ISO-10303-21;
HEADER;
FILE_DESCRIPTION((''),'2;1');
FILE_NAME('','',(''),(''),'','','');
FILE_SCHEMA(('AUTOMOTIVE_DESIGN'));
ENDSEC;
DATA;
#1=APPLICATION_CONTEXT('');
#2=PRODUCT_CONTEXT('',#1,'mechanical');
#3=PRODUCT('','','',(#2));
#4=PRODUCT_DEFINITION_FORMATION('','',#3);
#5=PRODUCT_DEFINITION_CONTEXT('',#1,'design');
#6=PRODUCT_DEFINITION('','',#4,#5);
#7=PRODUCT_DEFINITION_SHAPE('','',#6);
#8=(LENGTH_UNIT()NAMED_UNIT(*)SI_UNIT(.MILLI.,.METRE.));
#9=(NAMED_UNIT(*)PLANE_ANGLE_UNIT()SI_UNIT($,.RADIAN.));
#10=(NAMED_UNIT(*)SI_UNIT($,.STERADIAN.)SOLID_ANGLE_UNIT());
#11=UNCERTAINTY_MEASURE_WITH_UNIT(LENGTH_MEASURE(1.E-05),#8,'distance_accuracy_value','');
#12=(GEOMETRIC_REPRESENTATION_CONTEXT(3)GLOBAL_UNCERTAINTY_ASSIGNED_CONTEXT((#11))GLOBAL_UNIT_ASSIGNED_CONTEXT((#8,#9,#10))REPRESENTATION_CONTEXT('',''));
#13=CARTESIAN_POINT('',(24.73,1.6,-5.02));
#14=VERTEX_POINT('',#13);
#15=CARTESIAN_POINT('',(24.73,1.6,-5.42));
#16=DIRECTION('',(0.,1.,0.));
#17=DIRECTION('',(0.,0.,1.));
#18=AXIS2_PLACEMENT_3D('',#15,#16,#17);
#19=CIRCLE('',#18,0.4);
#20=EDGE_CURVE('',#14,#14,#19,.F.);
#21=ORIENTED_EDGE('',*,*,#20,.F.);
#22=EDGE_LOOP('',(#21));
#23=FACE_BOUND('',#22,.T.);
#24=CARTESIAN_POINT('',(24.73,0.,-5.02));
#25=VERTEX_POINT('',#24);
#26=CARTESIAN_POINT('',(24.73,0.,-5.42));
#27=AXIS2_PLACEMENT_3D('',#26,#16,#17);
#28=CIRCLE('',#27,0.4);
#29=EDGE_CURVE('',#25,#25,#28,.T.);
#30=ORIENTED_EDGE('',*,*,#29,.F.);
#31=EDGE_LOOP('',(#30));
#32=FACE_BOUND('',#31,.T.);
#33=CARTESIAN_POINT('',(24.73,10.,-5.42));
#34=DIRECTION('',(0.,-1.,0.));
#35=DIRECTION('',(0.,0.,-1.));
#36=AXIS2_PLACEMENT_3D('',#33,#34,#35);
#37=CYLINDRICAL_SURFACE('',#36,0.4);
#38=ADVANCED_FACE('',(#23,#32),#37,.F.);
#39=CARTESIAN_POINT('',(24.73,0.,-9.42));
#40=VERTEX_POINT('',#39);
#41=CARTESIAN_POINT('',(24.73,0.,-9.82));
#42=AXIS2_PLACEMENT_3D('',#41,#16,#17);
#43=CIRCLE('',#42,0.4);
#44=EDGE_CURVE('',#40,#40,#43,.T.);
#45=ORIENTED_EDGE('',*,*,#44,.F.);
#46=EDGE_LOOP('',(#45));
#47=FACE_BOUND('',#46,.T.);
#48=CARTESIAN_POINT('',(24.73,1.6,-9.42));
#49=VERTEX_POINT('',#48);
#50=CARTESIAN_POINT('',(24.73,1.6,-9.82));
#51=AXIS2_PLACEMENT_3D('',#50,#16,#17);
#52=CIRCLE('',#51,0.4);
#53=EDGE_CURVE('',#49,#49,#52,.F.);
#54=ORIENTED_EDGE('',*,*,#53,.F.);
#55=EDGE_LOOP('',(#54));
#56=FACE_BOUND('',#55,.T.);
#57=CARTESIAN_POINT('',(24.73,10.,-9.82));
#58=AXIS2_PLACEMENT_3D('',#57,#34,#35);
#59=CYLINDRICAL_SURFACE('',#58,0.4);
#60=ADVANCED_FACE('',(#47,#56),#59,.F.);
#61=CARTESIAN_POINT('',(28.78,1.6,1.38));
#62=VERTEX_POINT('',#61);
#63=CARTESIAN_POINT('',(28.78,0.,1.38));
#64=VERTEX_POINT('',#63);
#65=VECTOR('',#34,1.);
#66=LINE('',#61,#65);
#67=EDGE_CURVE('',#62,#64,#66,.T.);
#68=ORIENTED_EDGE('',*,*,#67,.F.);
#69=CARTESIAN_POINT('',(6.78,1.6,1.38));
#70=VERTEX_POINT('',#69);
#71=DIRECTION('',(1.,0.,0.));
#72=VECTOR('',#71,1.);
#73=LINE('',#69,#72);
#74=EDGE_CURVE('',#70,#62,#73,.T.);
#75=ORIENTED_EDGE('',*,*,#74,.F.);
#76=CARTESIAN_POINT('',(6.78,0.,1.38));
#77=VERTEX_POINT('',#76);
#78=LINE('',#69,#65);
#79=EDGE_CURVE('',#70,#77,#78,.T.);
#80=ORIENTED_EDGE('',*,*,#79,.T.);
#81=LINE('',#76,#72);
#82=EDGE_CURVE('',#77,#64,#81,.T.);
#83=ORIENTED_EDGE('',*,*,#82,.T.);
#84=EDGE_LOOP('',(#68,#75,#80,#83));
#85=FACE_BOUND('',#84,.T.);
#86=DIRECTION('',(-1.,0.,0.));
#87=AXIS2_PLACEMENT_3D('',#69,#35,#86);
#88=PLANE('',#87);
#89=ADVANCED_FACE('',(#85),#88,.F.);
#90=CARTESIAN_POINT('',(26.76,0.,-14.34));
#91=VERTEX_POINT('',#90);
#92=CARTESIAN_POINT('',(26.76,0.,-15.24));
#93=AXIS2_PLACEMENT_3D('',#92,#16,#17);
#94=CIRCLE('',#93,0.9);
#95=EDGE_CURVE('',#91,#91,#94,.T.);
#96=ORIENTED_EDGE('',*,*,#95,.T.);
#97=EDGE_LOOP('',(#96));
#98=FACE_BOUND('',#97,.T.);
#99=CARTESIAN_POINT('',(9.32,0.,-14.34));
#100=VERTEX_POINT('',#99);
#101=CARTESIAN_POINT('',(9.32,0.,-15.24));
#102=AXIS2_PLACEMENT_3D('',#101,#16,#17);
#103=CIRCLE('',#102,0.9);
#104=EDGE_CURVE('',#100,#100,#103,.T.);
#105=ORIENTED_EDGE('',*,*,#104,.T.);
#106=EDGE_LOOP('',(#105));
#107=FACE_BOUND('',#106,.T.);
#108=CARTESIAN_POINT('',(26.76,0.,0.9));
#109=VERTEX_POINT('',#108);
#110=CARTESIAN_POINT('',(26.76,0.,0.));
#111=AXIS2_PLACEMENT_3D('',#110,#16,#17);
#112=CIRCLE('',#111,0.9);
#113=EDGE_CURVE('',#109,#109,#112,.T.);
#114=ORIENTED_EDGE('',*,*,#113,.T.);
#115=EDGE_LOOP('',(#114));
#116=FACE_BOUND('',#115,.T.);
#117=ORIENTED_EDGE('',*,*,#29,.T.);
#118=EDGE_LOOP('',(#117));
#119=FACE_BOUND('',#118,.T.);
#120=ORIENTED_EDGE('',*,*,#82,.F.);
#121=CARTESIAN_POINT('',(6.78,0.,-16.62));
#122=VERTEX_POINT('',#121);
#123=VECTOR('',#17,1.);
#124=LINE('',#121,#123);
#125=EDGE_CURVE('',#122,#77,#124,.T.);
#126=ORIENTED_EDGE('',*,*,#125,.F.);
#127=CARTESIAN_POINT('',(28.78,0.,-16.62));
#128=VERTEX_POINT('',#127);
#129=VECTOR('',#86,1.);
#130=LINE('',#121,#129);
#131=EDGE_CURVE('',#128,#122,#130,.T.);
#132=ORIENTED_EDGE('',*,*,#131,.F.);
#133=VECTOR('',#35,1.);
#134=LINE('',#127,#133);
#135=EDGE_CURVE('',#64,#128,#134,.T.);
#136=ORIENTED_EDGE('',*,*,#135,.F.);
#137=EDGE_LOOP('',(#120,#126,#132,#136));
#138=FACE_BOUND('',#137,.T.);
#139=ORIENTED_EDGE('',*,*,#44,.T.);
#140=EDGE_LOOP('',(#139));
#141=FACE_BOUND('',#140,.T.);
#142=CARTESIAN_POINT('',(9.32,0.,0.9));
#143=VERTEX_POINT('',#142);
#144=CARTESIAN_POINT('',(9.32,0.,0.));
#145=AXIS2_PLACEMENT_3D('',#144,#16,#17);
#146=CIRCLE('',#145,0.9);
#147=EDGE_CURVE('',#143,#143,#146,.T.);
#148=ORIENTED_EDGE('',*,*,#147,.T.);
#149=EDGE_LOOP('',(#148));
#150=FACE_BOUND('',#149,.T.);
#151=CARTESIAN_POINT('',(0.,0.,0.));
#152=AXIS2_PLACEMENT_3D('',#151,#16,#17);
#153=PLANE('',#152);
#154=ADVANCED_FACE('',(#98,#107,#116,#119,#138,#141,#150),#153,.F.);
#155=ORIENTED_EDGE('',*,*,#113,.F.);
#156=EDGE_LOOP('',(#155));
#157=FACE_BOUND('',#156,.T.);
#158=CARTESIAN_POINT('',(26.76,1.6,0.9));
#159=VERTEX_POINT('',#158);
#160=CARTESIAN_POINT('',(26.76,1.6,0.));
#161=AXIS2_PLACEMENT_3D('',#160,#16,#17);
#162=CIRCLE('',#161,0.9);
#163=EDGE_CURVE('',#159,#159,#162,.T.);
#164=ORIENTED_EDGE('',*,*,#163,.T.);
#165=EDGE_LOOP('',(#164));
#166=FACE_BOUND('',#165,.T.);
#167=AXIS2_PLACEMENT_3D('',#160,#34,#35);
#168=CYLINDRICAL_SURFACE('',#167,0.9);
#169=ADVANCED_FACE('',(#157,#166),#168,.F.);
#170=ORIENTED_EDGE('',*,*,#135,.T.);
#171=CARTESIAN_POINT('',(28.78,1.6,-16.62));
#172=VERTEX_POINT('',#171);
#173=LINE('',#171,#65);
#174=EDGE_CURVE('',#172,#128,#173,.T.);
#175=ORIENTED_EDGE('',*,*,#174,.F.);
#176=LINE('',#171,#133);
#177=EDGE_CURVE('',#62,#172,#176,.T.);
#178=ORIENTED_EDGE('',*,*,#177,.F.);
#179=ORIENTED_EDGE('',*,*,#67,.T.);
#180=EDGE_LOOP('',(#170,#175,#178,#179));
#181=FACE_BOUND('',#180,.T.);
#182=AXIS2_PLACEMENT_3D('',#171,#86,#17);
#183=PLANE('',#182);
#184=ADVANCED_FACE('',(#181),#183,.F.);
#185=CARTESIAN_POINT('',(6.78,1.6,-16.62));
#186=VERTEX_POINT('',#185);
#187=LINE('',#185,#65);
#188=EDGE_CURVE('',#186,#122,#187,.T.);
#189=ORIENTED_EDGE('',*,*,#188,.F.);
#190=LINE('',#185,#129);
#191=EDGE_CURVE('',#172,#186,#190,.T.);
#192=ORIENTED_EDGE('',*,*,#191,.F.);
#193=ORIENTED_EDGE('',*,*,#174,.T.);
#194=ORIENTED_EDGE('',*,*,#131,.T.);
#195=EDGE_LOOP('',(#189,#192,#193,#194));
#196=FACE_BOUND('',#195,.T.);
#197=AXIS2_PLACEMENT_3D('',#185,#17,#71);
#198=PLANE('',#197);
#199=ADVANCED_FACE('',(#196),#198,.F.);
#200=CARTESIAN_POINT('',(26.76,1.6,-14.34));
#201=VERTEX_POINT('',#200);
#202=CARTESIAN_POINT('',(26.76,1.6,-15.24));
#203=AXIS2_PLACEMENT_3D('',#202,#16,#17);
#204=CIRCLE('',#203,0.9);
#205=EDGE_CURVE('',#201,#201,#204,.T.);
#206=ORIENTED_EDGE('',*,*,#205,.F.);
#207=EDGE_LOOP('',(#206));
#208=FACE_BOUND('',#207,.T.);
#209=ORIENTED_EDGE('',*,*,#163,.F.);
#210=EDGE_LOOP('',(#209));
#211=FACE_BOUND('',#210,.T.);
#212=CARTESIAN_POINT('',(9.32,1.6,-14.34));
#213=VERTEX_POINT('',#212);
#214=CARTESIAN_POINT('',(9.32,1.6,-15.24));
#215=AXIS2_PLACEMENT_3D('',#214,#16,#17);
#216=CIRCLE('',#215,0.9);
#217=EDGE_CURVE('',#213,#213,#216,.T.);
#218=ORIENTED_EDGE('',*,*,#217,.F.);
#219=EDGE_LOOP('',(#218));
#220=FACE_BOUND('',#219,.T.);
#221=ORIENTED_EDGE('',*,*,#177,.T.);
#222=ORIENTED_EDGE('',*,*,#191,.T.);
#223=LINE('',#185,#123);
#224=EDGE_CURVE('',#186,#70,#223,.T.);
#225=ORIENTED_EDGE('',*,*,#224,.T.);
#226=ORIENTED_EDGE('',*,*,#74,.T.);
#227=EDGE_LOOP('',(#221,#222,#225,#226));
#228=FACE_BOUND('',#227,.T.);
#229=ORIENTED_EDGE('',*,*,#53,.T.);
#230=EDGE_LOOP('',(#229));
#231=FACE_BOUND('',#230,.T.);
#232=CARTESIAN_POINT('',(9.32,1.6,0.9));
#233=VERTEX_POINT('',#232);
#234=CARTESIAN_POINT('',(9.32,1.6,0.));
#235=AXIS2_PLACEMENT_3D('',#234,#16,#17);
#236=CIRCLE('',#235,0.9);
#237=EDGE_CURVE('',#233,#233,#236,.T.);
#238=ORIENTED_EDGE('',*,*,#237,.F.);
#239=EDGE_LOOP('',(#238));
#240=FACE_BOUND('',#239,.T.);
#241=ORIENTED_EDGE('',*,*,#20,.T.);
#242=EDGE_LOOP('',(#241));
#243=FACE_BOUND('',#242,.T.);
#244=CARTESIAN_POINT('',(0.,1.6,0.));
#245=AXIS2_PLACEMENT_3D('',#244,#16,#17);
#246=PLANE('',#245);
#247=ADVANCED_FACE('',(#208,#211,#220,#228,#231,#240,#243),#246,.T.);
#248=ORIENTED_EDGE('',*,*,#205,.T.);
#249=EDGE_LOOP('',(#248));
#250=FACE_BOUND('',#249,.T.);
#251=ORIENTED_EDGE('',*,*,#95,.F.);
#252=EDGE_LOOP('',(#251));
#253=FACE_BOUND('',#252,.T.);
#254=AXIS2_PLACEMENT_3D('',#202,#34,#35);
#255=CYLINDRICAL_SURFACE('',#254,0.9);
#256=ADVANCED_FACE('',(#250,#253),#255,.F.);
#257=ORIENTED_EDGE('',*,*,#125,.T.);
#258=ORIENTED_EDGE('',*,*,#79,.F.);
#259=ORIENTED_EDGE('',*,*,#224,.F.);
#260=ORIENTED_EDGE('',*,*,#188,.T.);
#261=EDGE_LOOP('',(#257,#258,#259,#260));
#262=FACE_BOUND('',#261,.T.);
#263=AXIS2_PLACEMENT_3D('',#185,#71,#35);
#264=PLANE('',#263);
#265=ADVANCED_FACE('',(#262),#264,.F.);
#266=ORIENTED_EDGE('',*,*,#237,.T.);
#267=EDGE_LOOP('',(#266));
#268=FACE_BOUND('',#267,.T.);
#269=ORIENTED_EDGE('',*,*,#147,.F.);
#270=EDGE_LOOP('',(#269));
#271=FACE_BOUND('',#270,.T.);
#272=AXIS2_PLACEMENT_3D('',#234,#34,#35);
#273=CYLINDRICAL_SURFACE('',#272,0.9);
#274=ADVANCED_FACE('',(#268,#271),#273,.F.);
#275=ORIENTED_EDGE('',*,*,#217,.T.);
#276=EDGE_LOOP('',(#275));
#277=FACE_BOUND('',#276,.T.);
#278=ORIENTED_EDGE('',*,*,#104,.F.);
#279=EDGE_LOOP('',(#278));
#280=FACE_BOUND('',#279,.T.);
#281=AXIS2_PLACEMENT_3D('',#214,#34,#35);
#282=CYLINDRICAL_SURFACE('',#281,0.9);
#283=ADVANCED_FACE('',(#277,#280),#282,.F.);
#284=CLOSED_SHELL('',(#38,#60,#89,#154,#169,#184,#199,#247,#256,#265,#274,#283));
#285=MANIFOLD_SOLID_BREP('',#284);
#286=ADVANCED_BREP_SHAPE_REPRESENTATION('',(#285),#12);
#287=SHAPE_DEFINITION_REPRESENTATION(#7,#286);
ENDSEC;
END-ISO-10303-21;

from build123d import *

# Parameters (mm, degrees)
SKETCH1_W           = 22
SKETCH1_H           = 18
BOSS_EXTRUDE2_DEPTH = 1.6
SKETCH4_R           = 0.9
CUT_EXTRUDE5_DEPTH  = 1.6
SKETCH9_R           = 0.4
CUT_EXTRUDE6_DEPTH  = 10


with BuildPart() as part:
    # Sketch1 → Boss-Extrude2 (new body)
    with BuildSketch(Plane(origin=(0, 0, 0), x_dir=(1, 0, 0), z_dir=(0, 1, 0))):
        with Locations((17.78, 7.62)):
            Rectangle(SKETCH1_W, SKETCH1_H)
    extrude(amount=BOSS_EXTRUDE2_DEPTH)

    # Sketch4 → Cut-Extrude5 (cut)
    with BuildSketch(Plane(origin=(0, 0, 0), x_dir=(1, 0, 0), z_dir=(0, 1, 0))):
        with Locations((26.76, 15.24)):
            Circle(SKETCH4_R)
        with Locations((26.76, 0)):
            Circle(SKETCH4_R)
        with Locations((9.32, 0)):
            Circle(SKETCH4_R)
        with Locations((9.32, 15.24)):
            Circle(SKETCH4_R)
    extrude(amount=CUT_EXTRUDE5_DEPTH, mode=Mode.SUBTRACT)

    # Sketch9 → Cut-Extrude6 (cut)
    with BuildSketch(Plane(origin=(0, 0, 0), x_dir=(1, 0, 0), z_dir=(0, 1, 0))):
        with Locations((24.73, 5.42)):
            Circle(SKETCH9_R)
        with Locations((24.73, 9.82)):
            Circle(SKETCH9_R)
    extrude(amount=CUT_EXTRUDE6_DEPTH, mode=Mode.SUBTRACT)


solid = part.part
